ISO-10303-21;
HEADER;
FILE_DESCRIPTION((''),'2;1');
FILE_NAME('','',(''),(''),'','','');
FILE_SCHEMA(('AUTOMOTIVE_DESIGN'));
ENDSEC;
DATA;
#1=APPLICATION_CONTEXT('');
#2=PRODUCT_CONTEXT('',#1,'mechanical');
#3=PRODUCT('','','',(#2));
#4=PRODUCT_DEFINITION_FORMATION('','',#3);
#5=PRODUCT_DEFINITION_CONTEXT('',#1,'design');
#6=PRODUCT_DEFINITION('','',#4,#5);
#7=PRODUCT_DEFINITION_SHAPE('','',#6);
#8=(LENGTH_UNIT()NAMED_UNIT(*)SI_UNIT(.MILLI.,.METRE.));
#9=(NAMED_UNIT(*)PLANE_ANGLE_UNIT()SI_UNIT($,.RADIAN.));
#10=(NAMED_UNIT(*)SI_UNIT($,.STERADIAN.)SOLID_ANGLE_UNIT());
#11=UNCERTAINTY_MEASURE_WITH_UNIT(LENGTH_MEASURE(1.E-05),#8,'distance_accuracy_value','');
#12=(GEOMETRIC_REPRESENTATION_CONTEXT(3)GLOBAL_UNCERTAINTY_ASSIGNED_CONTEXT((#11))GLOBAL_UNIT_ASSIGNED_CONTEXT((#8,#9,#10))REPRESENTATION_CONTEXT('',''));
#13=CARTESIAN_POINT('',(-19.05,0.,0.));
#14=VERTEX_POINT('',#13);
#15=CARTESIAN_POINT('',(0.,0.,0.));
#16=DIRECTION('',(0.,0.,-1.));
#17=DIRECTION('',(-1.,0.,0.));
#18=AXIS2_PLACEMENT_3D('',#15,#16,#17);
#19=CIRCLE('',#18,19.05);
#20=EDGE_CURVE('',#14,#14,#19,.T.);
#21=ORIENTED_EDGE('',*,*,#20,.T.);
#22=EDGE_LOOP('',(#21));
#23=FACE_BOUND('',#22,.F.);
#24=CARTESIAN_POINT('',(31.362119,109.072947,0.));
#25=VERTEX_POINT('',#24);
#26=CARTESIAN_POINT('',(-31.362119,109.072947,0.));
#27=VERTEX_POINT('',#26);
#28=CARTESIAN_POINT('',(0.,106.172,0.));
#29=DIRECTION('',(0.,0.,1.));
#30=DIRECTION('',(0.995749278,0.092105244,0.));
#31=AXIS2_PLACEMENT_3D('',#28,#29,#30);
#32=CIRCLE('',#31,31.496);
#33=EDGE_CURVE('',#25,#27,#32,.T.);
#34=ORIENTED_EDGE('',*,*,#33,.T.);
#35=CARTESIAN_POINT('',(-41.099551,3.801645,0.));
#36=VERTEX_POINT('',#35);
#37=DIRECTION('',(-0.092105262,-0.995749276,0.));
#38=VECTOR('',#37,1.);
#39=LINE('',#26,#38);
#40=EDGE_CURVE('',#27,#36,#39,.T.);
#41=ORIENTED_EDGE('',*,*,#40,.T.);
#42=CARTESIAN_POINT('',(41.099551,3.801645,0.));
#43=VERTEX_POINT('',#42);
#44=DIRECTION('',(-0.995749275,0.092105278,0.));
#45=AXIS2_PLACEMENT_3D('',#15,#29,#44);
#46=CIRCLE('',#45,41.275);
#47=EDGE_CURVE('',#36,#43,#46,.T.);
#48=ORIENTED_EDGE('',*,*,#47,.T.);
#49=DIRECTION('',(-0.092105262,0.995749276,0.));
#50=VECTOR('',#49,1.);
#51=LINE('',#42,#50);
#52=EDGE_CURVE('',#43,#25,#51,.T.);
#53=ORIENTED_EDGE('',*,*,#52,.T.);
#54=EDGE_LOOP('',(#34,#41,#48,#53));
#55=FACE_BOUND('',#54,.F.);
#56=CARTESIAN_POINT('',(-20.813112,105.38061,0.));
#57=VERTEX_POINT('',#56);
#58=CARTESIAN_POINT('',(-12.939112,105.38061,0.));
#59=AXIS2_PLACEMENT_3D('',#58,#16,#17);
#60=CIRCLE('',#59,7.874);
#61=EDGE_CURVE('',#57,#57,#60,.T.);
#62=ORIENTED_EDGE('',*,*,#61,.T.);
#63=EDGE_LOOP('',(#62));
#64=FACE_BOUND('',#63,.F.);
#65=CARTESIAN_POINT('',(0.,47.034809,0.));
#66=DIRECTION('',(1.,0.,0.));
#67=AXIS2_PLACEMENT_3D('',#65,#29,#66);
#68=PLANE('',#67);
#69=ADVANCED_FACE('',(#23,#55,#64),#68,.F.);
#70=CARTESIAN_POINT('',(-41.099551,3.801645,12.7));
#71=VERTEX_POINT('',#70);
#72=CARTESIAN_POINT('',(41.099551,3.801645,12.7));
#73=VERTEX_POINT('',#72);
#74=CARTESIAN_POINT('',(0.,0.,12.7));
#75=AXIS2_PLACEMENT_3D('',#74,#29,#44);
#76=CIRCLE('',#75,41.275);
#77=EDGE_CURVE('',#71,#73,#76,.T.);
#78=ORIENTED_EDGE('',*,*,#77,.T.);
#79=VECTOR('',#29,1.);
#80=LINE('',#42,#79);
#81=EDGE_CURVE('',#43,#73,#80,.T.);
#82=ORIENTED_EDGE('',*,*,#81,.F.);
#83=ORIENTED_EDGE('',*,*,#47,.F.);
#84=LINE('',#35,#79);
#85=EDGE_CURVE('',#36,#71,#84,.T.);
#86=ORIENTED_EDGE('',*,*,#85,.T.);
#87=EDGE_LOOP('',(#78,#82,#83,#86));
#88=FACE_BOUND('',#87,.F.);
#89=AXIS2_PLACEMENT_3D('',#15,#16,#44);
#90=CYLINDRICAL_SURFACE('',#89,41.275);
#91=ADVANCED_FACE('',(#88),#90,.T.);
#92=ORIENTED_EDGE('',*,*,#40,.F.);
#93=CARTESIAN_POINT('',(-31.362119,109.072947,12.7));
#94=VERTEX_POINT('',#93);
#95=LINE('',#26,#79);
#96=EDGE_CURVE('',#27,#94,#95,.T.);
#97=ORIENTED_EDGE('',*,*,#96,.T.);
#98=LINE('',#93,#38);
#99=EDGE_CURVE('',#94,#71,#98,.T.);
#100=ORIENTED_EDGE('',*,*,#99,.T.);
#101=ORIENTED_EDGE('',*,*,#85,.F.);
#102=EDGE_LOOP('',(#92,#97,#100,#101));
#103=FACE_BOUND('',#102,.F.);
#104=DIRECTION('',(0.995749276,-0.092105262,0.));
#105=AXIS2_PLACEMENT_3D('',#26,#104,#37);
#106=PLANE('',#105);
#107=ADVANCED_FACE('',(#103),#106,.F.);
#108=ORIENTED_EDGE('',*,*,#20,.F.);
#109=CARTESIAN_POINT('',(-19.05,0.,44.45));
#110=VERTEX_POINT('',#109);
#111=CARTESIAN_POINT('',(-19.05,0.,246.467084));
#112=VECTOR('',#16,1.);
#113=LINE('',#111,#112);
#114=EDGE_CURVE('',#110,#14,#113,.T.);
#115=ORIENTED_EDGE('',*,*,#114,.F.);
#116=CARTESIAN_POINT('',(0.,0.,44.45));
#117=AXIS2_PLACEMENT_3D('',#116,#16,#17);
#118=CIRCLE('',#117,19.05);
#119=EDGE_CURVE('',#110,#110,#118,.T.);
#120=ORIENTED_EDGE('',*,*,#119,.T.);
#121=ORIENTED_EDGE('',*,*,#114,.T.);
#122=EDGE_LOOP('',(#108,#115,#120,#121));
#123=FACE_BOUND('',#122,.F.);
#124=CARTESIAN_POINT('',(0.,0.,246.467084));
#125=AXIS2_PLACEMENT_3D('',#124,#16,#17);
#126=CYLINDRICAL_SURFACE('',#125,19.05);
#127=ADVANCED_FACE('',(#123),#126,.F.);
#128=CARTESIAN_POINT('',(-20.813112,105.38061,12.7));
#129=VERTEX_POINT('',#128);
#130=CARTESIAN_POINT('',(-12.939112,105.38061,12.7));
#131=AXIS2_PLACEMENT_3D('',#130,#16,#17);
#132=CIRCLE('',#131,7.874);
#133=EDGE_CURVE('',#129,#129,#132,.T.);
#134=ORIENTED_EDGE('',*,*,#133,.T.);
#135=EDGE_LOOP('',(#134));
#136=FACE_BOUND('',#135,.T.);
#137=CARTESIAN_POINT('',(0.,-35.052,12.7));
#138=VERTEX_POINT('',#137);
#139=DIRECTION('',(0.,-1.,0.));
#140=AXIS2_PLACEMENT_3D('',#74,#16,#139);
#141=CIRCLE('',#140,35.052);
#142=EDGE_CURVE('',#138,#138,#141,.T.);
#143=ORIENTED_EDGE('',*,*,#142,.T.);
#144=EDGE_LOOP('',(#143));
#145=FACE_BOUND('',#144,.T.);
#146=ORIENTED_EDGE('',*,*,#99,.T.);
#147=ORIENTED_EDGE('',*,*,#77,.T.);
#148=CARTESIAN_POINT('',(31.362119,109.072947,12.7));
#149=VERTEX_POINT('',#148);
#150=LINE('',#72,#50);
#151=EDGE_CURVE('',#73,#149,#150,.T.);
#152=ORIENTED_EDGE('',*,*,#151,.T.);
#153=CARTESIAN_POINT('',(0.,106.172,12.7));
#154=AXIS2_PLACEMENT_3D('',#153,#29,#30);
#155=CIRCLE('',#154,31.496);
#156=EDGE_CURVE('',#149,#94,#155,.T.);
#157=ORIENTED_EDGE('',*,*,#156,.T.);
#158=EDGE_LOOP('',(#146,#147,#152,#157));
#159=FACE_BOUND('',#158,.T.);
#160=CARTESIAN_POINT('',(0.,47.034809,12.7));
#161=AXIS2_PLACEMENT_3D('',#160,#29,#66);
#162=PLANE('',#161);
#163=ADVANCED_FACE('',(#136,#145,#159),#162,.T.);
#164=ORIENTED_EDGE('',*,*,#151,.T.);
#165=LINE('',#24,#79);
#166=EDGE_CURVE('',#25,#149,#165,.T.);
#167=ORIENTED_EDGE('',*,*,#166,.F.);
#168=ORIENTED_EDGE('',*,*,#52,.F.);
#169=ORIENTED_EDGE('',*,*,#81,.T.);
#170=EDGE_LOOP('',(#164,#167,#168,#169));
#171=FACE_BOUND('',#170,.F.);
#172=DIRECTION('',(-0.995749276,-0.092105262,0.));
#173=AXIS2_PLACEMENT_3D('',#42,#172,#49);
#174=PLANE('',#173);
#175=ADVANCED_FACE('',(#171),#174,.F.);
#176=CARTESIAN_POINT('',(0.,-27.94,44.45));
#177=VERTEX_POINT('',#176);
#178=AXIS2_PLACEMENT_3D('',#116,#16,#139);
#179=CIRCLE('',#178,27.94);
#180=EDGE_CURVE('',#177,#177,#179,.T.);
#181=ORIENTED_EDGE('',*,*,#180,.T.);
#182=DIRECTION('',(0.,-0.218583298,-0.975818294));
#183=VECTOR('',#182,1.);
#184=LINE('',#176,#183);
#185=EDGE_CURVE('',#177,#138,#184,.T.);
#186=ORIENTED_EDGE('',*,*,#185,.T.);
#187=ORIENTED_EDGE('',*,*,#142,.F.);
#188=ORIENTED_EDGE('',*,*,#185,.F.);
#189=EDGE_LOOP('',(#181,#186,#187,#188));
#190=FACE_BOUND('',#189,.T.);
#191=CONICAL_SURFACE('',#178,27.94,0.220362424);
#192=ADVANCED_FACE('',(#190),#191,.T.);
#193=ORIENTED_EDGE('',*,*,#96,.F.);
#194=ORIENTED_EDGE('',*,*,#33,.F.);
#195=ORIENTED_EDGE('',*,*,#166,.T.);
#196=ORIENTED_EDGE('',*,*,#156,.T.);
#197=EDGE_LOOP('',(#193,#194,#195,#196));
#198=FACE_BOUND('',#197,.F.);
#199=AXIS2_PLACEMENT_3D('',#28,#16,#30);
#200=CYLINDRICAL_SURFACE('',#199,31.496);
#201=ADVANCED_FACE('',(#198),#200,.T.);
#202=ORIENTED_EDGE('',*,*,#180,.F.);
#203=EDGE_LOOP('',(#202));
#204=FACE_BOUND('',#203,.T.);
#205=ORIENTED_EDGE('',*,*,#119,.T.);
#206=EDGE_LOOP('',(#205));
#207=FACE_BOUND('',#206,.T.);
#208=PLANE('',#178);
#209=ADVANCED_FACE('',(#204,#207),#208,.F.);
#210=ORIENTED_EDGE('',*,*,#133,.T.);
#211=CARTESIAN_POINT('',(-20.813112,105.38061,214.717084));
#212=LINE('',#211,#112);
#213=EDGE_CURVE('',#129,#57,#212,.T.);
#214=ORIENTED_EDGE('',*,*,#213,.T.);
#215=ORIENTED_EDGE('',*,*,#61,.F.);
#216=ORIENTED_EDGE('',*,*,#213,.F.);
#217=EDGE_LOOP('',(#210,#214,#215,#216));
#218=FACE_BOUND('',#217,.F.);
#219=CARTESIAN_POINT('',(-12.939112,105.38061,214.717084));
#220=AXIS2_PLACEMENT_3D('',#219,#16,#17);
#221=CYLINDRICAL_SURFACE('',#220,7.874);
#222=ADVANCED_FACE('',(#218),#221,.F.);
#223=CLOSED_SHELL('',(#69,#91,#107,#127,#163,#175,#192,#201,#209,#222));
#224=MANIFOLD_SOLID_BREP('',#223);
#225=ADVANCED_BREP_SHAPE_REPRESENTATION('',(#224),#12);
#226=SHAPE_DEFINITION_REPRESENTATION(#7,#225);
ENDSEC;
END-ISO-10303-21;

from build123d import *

# Parameters (mm, degrees)
F1_DEPTH = 12.7
F5_D     = 38.1
F7_D     = 15.748


with BuildPart() as f1:
    # F0 (on Top) → F1 (new body)
    with BuildSketch(Plane.XY):
        with BuildLine():
            Line((-31.362119, 109.072947), (-41.099551, 3.801645))
            ThreePointArc((-41.099551, 3.801645), (0, -41.275), (41.099551, 3.801645))
            Line((41.099551, 3.801645), (31.362119, 109.072947))
            ThreePointArc((31.362119, 109.072947), (0, 137.668), (-31.362119, 109.072947))
        make_face()
    extrude(amount=F1_DEPTH)

    # F2 (on Right) → F3 (revolve)
    with BuildSketch(Plane.YZ):
        Polygon((-27.94, 44.45), (-35.052, 12.7), (0, 12.7), (0, 44.45), align=None)
    revolve(axis=Axis((0, 0, 28.575), (0, 0, -1)))

    # F5 (through all)
    with Locations(Plane.XY.offset(44.45)):
        with Locations((0, 0)):
            Hole(F5_D / 2)

    # F7 (through all)
    with Locations(Plane.XY.offset(12.7)):
        with Locations((-12.939112, 105.38061)):
            Hole(F7_D / 2)


solid = f1.part
